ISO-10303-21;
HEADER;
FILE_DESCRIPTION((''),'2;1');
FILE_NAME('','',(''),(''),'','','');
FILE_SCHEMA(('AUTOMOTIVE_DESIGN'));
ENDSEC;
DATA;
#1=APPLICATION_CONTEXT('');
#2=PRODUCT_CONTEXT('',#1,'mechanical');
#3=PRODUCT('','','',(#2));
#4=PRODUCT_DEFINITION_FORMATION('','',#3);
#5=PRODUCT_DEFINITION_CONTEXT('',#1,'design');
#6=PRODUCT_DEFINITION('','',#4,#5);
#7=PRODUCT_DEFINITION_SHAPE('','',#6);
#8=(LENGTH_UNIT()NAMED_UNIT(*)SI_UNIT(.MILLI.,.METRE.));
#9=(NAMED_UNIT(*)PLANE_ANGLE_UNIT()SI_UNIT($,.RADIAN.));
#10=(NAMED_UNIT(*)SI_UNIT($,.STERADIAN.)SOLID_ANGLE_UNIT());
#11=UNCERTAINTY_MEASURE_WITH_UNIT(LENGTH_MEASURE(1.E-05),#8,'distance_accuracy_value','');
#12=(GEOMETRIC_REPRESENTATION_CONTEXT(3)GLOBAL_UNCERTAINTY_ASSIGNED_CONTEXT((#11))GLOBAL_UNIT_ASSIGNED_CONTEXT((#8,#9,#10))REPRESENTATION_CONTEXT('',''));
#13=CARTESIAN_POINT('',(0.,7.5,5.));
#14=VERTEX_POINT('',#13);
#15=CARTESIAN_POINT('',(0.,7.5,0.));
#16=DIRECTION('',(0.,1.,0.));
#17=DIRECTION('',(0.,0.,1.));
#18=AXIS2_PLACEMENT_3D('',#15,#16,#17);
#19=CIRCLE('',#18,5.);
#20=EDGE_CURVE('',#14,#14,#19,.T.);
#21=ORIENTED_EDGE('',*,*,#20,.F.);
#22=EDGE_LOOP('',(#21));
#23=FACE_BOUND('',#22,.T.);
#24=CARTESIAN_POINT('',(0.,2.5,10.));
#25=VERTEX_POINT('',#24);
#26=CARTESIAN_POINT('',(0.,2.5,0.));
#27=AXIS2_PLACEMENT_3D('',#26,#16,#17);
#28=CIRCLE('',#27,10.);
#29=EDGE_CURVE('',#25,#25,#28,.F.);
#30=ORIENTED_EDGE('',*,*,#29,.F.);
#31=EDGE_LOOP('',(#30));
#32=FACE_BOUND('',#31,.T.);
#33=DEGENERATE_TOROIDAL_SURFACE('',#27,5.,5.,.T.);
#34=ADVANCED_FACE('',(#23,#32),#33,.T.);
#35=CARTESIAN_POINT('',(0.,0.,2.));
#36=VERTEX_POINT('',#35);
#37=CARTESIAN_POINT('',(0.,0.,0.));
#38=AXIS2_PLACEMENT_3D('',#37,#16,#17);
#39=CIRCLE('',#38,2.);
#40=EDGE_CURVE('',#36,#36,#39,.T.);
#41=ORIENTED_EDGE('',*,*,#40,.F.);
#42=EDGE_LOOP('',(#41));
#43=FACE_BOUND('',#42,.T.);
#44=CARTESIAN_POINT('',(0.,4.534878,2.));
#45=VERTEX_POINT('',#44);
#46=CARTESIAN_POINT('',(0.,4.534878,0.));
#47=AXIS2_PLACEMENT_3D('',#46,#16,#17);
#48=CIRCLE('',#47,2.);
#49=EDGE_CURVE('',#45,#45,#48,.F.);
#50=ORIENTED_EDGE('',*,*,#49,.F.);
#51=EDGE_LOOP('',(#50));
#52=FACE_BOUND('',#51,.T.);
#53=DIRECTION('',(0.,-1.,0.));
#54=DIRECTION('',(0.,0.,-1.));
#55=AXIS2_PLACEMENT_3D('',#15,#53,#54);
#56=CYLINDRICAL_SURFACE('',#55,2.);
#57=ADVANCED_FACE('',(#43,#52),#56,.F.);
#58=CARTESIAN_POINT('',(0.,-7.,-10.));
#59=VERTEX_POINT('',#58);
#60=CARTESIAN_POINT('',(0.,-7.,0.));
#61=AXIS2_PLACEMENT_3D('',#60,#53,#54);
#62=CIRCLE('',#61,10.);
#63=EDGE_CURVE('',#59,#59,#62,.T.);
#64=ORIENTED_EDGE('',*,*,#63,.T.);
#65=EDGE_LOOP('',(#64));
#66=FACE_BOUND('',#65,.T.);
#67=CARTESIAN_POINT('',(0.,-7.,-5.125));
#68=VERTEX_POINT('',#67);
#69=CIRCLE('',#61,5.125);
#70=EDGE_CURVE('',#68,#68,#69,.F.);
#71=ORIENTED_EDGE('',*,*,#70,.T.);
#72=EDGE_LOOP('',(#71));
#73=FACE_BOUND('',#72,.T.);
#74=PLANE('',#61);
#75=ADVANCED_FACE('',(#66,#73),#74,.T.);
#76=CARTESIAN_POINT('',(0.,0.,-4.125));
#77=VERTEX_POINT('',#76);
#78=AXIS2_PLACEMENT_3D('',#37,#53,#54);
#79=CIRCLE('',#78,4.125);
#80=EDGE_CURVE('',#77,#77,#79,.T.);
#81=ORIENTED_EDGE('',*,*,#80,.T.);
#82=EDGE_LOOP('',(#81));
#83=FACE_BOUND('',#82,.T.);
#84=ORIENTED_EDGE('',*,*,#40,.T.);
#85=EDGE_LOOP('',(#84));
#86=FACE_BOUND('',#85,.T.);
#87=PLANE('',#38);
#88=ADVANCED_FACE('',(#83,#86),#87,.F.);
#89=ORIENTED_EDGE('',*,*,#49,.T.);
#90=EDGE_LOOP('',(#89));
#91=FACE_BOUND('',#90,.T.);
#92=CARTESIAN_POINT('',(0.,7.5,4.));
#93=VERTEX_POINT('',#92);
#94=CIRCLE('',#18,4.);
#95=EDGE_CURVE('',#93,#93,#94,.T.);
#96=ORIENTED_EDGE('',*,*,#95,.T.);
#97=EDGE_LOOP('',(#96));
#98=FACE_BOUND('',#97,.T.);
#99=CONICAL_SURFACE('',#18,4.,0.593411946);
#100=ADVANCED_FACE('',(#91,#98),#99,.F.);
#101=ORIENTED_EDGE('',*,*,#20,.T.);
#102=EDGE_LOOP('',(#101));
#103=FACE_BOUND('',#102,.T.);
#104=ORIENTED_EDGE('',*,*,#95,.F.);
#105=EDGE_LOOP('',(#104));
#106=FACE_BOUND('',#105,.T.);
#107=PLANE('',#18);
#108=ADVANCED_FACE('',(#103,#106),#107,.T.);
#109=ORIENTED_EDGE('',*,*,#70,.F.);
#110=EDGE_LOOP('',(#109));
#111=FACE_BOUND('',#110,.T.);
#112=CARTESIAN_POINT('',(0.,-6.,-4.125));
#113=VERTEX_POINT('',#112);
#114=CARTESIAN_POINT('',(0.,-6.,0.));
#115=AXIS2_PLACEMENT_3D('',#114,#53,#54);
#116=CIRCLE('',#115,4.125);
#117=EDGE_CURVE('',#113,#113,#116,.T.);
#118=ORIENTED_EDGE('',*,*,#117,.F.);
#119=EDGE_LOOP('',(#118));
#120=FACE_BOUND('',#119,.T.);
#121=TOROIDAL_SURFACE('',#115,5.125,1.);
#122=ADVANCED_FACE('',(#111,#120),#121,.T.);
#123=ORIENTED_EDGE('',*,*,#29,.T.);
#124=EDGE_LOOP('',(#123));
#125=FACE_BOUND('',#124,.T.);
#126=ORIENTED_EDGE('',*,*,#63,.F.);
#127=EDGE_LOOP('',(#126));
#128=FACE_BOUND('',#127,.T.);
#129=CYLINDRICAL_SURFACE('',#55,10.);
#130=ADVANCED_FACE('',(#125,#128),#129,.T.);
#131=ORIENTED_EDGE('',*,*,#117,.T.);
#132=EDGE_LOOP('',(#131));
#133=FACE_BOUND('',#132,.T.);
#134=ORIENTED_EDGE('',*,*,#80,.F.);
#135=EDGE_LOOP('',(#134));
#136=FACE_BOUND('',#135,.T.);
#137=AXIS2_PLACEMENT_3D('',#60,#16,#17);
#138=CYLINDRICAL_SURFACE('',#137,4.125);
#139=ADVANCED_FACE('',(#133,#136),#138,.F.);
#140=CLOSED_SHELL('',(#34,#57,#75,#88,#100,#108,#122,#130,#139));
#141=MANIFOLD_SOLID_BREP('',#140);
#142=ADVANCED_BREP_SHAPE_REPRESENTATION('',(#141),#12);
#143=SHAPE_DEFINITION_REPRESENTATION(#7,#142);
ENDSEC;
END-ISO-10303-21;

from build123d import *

# Parameters (mm, degrees)
SKETCH1_R           = 10
SKETCH1_R_2         = 2
BOSS_EXTRUDE1_DEPTH = 7.5
BOSS_EXTRUDE2_START = 7
SKETCH2_R           = 10
SKETCH2_R_2         = 4.125
BOSS_EXTRUDE2_DEPTH = 7
SKETCH3_R           = 4
CUT_EXTRUDE1_DEPTH  = 3
CUT_EXTRUDE1_DRAFT  = -34
FILLET1_R           = 5
FILLET2_R           = 1


with BuildPart() as part:
    # Sketch1 → Boss-Extrude1 (new body)
    with BuildSketch(Plane(origin=(0, 0, 0), x_dir=(1, 0, 0), z_dir=(0, 1, 0))):
        with Locations(Location((0, 0, 0), (0, 0, 270))):
            Circle(SKETCH1_R)
        with Locations(Location((0, 0, 0), (0, 0, 270))):
            Circle(SKETCH1_R_2, mode=Mode.SUBTRACT)
    extrude(amount=BOSS_EXTRUDE1_DEPTH)

    # Sketch2 → Boss-Extrude2 (add)
    with BuildSketch(Plane.XZ.offset(BOSS_EXTRUDE2_START)):
        with Locations(Location((0, 0, 0), (0, 0, 270))):
            Circle(SKETCH2_R)
        with Locations(Location((0, 0, 0), (0, 0, 270))):
            Circle(SKETCH2_R_2, mode=Mode.SUBTRACT)
    extrude(amount=-BOSS_EXTRUDE2_DEPTH)


with BuildPart() as cut_extrude1_tool:
    # Sketch3 → Cut-Extrude1 (with draft: the straight prism first)
    with BuildSketch(Plane(origin=(0, 7.5, 0), x_dir=(1, 0, 0), z_dir=(0, 1, 0))):
        Circle(SKETCH3_R)
    extrude(amount=-CUT_EXTRUDE1_DEPTH)
    # Cut-Extrude1: the draft: its side faces are tilted about the plane it starts from
    cut_extrude1_sides = [cut_extrude1_tool.faces().sort_by_distance(p)[0] for p in [
        (-4, 6, 0),
    ]]
    draft(cut_extrude1_sides, Plane(origin=(0, 7.5, 0), x_dir=(1, 0, 0), z_dir=(0, 1, 0)), CUT_EXTRUDE1_DRAFT)


with BuildPart() as part_1:
    add(part.part)

    # Cut-Extrude1: cut by cut_extrude1_tool
    add(cut_extrude1_tool.part, mode=Mode.SUBTRACT)

    # Fillet1
    fillet1_edges = [part_1.edges().sort_by_distance(p)[0] for p in [
        (0, 7.5, -10),
    ]]
    fillet(fillet1_edges, radius=FILLET1_R)

    # Fillet2
    fillet2_edges = [part_1.edges().sort_by_distance(p)[0] for p in [
        (0, -7, 4.125),
    ]]
    fillet(fillet2_edges, radius=FILLET2_R)


solid = part_1.part
